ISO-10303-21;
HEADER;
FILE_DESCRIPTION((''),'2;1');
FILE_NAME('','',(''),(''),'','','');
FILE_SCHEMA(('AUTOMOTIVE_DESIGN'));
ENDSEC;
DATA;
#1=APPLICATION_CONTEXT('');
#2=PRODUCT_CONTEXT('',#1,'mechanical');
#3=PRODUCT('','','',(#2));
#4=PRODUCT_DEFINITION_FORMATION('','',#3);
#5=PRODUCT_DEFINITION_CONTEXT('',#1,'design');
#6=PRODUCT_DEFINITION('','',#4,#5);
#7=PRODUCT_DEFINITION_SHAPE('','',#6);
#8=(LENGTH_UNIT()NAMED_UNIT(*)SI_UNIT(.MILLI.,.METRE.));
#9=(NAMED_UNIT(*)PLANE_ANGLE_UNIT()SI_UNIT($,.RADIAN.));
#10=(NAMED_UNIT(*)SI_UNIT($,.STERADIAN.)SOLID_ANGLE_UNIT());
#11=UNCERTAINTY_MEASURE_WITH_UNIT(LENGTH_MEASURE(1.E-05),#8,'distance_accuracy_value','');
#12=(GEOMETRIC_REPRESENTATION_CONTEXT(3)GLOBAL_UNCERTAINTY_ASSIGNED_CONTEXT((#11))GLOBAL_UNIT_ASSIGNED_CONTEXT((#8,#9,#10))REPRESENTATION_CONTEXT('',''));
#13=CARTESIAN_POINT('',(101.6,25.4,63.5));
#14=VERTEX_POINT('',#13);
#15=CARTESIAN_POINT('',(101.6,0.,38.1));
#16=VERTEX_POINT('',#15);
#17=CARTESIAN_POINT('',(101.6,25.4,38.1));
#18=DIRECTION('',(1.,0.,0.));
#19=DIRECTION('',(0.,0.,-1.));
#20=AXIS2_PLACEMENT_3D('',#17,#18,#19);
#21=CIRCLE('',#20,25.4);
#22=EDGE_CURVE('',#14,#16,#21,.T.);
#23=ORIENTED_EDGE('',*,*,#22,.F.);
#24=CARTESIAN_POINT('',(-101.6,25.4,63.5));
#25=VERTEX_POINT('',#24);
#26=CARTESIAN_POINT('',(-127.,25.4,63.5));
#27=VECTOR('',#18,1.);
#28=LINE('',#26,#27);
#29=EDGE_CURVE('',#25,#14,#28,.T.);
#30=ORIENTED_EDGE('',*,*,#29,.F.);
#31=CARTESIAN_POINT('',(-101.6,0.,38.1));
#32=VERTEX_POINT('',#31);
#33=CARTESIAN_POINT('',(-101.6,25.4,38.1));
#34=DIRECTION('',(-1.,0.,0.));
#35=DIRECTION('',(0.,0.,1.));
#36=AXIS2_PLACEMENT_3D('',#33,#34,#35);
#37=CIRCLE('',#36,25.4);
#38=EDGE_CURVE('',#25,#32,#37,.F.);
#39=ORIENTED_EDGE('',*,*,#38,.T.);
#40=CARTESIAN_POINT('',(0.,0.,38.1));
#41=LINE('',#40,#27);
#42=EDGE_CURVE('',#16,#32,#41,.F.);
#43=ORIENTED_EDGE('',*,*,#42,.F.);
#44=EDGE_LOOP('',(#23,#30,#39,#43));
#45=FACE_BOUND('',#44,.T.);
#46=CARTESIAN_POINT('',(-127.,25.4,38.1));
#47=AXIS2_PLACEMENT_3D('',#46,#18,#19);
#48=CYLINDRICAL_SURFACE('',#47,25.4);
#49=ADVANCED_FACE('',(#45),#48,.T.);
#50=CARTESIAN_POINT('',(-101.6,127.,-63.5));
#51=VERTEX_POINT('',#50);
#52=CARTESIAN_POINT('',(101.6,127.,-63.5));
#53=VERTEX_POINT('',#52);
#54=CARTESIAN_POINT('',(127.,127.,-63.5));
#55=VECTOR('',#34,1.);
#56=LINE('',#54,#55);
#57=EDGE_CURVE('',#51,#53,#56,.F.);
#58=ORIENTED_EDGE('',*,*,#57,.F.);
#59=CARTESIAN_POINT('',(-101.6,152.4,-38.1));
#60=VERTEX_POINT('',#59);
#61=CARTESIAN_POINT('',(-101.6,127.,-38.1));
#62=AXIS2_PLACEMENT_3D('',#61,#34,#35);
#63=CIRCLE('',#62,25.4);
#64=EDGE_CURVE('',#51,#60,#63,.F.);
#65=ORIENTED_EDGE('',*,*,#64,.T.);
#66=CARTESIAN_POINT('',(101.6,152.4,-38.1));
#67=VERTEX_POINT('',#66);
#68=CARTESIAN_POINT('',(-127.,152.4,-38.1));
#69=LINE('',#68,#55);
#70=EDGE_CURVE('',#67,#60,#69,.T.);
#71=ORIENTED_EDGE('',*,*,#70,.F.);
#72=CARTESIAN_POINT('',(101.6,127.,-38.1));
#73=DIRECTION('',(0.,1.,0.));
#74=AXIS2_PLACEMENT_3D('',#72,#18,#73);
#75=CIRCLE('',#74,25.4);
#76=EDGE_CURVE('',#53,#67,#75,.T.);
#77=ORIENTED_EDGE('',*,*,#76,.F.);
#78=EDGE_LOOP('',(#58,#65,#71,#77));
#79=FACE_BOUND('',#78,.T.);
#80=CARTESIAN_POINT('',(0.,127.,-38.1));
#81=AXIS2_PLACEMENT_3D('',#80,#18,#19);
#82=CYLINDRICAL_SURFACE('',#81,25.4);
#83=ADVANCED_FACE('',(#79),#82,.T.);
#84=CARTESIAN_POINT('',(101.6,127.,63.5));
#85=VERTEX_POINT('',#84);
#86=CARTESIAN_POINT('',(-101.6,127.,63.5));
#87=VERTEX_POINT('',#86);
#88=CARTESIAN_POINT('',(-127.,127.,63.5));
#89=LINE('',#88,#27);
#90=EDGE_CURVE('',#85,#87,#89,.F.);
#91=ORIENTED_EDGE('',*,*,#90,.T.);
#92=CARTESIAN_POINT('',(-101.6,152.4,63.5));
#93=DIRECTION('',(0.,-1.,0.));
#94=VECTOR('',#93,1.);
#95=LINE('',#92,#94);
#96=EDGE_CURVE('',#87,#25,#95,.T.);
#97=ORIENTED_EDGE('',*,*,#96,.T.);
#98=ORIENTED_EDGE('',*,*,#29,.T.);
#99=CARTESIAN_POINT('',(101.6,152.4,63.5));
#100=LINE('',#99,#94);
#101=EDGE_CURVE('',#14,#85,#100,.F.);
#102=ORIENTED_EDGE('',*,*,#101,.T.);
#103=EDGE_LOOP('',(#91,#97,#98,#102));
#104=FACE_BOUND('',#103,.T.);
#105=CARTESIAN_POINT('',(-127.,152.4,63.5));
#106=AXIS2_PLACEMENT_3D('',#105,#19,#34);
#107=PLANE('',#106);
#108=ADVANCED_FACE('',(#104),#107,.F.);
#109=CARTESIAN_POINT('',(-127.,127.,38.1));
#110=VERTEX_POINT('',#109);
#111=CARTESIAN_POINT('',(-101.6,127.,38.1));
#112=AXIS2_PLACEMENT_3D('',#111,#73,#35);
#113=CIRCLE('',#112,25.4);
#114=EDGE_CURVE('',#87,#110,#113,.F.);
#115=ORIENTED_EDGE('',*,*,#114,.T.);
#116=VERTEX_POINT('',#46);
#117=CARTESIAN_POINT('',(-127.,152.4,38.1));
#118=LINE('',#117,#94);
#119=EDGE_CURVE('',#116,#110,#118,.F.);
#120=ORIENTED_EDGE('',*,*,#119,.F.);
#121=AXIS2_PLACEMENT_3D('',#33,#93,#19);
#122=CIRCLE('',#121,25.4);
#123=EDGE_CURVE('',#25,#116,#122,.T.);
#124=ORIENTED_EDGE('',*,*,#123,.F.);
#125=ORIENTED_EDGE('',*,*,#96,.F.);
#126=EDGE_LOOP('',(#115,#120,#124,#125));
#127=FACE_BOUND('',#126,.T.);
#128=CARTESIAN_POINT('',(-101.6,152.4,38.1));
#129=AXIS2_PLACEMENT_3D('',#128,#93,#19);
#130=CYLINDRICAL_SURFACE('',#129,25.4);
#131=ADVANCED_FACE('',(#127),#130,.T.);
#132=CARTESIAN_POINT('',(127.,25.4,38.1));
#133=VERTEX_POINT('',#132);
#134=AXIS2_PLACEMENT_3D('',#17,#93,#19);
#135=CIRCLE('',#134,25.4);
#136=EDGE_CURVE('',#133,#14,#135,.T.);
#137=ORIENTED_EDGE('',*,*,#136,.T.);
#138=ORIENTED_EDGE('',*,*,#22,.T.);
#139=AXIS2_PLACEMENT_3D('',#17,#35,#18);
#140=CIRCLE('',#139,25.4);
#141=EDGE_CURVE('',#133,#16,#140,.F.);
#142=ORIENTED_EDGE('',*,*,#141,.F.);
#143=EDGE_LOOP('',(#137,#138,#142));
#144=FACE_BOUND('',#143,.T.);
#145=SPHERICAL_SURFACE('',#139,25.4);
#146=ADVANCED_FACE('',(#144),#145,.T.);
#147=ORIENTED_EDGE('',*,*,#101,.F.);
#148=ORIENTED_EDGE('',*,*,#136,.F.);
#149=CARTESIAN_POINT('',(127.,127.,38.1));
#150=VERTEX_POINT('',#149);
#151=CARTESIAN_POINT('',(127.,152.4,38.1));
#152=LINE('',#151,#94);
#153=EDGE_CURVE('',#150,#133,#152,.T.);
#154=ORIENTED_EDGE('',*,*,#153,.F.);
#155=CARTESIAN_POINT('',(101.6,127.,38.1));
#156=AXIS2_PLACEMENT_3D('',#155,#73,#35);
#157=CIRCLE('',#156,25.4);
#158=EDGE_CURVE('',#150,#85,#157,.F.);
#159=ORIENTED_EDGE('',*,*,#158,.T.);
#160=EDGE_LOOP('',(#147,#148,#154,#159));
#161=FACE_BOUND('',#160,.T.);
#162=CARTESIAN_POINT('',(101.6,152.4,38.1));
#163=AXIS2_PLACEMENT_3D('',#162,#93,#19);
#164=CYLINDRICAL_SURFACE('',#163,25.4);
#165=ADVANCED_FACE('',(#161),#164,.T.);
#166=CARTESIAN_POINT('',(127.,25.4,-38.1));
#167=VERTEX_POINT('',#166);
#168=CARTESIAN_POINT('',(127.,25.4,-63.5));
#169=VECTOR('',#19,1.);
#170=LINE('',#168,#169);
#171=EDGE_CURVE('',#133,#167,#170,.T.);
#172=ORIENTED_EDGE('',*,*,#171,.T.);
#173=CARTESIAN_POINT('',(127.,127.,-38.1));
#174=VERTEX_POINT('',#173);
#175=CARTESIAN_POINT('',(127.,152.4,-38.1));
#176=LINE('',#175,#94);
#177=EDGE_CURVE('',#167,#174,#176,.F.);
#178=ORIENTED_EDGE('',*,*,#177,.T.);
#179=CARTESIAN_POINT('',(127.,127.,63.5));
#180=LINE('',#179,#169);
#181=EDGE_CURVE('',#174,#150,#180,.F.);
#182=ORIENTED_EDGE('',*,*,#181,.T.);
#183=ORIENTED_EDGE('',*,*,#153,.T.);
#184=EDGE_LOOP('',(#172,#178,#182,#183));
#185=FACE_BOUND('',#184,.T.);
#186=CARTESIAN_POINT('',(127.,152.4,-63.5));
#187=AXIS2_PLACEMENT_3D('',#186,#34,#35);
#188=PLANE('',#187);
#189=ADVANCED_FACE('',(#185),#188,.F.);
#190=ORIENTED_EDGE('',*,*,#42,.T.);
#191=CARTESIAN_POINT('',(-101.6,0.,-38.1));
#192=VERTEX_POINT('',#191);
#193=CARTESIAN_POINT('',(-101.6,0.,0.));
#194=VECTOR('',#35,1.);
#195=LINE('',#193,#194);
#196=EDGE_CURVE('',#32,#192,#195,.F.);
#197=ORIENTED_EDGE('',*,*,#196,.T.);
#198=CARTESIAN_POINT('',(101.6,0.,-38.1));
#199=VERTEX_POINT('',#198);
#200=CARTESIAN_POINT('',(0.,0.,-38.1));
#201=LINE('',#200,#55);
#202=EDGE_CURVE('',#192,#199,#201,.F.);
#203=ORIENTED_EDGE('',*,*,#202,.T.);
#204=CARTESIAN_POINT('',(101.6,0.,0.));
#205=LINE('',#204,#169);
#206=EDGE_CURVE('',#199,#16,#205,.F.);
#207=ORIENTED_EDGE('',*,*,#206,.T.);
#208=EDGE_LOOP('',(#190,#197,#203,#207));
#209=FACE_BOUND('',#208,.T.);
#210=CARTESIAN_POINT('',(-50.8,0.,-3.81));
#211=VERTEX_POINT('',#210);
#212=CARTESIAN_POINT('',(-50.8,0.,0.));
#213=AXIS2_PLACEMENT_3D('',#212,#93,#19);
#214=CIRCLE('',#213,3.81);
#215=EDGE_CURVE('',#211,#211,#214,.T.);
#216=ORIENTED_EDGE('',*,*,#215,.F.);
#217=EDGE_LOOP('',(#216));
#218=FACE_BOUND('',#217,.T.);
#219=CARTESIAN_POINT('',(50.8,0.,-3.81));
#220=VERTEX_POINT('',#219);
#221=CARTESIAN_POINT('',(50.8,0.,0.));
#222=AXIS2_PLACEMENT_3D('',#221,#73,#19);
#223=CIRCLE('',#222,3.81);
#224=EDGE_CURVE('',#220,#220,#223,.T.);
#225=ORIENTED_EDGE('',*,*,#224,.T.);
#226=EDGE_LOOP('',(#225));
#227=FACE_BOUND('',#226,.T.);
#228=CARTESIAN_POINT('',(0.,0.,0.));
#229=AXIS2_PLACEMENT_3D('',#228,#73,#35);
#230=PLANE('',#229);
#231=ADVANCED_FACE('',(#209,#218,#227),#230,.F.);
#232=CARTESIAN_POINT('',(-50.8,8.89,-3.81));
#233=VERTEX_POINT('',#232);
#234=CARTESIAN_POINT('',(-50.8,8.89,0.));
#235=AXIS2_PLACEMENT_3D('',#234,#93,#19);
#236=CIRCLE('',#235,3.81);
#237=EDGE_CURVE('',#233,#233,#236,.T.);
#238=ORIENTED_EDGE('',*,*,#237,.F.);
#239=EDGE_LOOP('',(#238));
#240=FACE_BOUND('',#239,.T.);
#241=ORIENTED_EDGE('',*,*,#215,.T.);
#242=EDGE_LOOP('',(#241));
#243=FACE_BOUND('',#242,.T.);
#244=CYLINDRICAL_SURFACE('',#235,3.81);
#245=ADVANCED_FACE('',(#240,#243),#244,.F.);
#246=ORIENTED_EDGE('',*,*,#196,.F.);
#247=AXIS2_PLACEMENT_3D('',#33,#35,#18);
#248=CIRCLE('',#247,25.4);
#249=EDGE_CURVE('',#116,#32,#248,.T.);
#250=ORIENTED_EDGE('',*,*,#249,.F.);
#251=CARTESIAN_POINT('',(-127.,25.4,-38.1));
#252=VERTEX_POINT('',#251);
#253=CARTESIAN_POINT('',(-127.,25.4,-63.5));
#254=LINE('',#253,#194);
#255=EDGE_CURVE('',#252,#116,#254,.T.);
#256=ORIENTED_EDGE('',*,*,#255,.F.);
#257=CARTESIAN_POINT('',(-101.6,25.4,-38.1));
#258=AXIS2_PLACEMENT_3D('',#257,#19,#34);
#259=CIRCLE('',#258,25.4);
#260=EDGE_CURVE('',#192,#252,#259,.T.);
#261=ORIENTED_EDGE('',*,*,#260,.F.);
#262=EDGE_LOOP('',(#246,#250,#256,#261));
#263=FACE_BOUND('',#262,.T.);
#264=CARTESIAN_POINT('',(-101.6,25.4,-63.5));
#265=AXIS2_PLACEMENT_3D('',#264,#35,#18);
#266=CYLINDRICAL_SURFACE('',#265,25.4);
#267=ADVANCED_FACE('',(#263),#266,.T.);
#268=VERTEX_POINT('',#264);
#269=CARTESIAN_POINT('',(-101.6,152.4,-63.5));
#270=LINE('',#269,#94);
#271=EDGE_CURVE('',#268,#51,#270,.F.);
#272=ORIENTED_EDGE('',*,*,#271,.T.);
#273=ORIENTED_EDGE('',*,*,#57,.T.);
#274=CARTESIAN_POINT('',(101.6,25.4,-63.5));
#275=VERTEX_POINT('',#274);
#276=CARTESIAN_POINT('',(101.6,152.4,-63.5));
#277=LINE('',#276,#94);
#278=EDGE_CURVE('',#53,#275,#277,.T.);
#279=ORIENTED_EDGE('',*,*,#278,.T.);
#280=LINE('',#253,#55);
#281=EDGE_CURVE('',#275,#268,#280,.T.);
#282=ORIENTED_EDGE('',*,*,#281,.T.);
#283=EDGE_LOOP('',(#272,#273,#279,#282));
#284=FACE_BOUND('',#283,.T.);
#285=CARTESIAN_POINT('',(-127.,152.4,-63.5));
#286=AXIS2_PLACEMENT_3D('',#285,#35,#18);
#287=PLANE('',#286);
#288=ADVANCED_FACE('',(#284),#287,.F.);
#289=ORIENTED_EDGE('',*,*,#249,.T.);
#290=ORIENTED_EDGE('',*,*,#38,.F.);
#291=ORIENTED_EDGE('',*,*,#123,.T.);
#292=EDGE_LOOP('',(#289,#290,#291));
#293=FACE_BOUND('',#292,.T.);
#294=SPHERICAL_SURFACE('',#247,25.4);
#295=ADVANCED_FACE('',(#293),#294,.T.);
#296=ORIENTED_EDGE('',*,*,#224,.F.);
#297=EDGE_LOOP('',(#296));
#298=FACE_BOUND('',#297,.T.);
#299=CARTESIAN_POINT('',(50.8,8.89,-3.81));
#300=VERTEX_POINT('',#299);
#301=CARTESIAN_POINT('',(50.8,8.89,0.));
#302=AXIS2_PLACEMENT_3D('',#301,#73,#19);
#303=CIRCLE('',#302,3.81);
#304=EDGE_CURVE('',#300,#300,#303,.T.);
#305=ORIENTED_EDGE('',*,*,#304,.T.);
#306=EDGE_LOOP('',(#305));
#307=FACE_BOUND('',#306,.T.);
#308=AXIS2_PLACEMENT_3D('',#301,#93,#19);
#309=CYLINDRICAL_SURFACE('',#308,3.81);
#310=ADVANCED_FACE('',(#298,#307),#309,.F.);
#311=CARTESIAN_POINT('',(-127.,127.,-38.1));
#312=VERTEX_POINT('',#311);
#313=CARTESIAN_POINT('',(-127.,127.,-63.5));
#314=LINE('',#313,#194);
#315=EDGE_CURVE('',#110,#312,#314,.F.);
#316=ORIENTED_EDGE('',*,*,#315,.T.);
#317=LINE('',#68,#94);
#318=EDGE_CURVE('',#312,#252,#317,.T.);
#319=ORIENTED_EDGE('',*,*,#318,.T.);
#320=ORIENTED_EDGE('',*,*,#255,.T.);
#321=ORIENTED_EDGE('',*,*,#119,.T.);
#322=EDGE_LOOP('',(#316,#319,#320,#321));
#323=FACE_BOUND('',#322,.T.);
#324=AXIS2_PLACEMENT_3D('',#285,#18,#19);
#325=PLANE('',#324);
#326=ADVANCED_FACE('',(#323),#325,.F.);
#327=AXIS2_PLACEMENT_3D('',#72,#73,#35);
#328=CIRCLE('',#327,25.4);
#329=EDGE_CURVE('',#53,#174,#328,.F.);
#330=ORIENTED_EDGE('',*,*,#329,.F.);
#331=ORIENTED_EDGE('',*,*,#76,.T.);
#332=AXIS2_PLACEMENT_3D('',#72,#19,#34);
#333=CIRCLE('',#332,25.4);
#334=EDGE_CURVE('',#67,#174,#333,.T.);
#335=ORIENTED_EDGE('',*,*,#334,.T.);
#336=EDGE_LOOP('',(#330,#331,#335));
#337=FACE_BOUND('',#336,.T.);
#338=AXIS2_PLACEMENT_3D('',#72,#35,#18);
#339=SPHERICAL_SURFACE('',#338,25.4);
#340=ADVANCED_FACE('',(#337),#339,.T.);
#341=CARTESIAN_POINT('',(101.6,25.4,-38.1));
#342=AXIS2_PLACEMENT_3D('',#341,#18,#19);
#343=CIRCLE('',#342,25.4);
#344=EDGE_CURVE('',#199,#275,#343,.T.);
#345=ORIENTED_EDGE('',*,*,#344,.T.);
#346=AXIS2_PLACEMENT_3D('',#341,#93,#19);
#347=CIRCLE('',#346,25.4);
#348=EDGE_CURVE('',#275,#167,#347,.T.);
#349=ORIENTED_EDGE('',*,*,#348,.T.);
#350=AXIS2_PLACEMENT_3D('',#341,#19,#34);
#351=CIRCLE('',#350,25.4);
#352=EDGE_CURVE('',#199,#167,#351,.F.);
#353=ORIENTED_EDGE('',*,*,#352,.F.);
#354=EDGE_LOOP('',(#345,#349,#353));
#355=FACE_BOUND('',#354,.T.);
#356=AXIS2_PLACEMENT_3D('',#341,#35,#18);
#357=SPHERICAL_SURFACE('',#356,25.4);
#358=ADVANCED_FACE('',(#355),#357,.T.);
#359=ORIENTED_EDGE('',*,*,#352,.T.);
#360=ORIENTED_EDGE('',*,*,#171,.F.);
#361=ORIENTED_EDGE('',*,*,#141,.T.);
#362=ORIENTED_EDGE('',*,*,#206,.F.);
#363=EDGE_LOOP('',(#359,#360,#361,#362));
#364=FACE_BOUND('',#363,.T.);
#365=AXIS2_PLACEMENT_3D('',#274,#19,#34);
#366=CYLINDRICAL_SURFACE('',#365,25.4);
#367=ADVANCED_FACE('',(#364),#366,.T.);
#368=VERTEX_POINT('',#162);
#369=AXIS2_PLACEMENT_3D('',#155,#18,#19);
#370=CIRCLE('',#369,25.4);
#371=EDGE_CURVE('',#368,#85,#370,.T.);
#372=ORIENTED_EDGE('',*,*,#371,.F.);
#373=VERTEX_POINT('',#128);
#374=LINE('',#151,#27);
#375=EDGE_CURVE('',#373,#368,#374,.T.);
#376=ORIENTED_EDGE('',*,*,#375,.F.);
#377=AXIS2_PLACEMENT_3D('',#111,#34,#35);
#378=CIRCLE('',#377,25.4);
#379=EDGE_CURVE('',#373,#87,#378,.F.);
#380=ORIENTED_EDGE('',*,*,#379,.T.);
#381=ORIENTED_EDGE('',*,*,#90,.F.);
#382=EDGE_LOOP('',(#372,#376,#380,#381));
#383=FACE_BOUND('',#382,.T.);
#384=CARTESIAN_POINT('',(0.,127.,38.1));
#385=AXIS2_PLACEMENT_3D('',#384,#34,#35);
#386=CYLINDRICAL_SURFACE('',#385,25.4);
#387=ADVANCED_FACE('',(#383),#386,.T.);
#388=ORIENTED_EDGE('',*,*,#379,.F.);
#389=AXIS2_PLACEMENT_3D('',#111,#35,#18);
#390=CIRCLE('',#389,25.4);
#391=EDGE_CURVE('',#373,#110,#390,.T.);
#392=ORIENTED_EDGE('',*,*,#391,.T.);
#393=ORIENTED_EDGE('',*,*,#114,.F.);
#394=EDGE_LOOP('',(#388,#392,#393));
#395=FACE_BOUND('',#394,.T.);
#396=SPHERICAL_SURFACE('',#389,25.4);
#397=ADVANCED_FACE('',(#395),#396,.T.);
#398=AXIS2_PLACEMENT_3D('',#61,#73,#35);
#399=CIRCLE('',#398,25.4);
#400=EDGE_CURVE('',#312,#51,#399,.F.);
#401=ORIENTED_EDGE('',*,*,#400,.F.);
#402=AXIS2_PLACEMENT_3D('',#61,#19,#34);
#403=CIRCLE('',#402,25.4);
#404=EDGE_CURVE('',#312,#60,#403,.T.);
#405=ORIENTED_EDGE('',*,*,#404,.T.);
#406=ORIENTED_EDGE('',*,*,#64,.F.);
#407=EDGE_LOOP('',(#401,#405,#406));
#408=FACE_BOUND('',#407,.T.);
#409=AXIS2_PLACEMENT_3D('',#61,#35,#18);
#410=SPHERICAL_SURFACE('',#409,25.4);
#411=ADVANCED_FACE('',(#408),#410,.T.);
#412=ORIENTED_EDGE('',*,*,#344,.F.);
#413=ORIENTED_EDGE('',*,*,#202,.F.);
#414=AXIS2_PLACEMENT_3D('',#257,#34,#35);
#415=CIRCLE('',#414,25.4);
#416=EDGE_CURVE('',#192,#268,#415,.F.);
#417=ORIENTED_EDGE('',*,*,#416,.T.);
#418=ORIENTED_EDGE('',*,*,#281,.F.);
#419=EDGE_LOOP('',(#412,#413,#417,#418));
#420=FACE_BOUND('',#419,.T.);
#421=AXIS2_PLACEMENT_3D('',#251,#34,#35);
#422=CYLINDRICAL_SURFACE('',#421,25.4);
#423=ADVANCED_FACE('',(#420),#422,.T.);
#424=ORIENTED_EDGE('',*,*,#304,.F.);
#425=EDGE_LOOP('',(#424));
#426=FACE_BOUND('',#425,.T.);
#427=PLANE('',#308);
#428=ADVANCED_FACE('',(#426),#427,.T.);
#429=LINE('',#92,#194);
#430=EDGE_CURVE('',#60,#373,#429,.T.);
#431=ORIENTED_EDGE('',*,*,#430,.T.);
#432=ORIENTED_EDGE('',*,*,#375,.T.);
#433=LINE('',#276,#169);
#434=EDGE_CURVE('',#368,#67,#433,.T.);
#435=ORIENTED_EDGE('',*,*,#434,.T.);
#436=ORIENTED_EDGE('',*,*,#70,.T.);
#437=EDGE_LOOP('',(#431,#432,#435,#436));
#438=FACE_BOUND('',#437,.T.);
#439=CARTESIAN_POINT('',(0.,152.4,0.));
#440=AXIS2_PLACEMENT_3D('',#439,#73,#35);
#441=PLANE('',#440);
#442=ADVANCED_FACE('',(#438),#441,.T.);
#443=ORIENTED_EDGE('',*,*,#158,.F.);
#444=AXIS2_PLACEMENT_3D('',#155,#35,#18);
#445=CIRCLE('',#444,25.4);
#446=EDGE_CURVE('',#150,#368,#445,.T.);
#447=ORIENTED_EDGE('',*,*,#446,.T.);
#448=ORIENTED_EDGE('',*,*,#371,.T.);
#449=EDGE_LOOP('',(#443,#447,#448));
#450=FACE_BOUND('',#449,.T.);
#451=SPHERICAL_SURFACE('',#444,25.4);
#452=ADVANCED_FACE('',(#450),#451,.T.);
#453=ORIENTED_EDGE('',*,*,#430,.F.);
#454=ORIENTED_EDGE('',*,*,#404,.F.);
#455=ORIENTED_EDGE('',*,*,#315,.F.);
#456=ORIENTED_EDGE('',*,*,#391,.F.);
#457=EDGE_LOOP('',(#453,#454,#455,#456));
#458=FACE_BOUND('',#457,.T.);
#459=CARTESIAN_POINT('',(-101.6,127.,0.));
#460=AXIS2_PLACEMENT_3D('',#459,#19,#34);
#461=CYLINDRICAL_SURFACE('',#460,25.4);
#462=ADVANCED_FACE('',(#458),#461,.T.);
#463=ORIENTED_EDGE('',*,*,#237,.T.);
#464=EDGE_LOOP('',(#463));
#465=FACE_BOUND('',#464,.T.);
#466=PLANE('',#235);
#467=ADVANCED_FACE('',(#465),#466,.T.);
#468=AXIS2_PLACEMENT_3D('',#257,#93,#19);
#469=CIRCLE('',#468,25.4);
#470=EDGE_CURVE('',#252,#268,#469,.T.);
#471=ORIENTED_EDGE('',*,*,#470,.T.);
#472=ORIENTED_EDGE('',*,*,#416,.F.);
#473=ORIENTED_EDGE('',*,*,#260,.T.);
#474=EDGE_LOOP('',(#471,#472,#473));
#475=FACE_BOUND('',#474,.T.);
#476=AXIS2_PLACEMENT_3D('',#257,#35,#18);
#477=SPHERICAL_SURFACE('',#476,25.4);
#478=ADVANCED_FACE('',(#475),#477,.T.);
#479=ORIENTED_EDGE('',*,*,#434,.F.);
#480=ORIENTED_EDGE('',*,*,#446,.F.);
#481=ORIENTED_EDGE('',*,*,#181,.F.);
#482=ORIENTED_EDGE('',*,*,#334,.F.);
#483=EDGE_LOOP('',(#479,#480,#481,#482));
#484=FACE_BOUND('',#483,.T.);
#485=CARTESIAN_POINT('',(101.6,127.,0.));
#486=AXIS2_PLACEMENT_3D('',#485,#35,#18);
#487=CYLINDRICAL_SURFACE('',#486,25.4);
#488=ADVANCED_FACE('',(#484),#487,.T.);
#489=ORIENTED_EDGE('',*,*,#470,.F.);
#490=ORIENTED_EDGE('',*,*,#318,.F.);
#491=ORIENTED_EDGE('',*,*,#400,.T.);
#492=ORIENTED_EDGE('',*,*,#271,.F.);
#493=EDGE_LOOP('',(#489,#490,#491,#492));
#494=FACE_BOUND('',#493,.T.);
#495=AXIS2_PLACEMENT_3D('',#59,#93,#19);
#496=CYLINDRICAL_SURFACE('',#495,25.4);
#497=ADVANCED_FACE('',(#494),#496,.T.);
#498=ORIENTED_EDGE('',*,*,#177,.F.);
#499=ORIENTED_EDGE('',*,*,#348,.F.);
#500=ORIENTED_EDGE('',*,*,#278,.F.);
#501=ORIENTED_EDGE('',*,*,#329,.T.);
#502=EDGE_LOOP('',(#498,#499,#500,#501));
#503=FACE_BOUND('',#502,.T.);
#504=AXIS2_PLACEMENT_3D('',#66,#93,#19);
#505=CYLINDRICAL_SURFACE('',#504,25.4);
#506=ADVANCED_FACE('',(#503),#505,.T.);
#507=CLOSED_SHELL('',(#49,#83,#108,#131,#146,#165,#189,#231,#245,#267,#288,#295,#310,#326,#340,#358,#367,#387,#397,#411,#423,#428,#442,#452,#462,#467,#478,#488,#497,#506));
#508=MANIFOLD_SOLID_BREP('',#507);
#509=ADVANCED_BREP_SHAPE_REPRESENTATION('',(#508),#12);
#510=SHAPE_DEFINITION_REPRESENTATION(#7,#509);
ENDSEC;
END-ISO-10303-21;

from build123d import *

# Parameters (mm, degrees)
SKETCH1_W           = 254
SKETCH1_H           = 127
BOSS_EXTRUDE1_DEPTH = 152.4
FILLET1_R           = 25.4
SKETCH3_R           = 3.81
CUT_EXTRUDE1_DEPTH  = 8.89


with BuildPart() as part:
    # Sketch1 → Boss-Extrude1 (new body)
    with BuildSketch(Plane(origin=(0, 0, 0), x_dir=(1, 0, 0), z_dir=(0, 1, 0))):
        Rectangle(SKETCH1_W, SKETCH1_H)
    extrude(amount=BOSS_EXTRUDE1_DEPTH)

    # Fillet1
    fillet1_edges = [part.edges().sort_by_distance(p)[0] for p in [
        (-127, 152.4, 0),
        (0, 152.4, 63.5),
        (127, 152.4, 0),
        (0, 0, 63.5),
        (-127, 0, 0),
        (0, 0, -63.5),
        (127, 0, 0),
        (127, 76.2, 63.5),
        (-127, 76.2, 63.5),
        (-127, 76.2, -63.5),
        (127, 76.2, -63.5),
        (0, 152.4, -63.5),
    ]]
    fillet(fillet1_edges, radius=FILLET1_R)

    # Sketch3 → Cut-Extrude1 (cut)
    with BuildSketch(Plane.XZ):
        with Locations((-50.8, 0)):
            Circle(SKETCH3_R)
    cut_extrude1 = extrude(amount=-CUT_EXTRUDE1_DEPTH, mode=Mode.SUBTRACT)

    # Mirror1: Cut-Extrude1 across plane
    add(cut_extrude1.mirror(Plane(origin=(0, 0, 0), x_dir=(0, 0, 1), z_dir=(1, 0, 0))), mode=Mode.SUBTRACT)


solid = part.part
